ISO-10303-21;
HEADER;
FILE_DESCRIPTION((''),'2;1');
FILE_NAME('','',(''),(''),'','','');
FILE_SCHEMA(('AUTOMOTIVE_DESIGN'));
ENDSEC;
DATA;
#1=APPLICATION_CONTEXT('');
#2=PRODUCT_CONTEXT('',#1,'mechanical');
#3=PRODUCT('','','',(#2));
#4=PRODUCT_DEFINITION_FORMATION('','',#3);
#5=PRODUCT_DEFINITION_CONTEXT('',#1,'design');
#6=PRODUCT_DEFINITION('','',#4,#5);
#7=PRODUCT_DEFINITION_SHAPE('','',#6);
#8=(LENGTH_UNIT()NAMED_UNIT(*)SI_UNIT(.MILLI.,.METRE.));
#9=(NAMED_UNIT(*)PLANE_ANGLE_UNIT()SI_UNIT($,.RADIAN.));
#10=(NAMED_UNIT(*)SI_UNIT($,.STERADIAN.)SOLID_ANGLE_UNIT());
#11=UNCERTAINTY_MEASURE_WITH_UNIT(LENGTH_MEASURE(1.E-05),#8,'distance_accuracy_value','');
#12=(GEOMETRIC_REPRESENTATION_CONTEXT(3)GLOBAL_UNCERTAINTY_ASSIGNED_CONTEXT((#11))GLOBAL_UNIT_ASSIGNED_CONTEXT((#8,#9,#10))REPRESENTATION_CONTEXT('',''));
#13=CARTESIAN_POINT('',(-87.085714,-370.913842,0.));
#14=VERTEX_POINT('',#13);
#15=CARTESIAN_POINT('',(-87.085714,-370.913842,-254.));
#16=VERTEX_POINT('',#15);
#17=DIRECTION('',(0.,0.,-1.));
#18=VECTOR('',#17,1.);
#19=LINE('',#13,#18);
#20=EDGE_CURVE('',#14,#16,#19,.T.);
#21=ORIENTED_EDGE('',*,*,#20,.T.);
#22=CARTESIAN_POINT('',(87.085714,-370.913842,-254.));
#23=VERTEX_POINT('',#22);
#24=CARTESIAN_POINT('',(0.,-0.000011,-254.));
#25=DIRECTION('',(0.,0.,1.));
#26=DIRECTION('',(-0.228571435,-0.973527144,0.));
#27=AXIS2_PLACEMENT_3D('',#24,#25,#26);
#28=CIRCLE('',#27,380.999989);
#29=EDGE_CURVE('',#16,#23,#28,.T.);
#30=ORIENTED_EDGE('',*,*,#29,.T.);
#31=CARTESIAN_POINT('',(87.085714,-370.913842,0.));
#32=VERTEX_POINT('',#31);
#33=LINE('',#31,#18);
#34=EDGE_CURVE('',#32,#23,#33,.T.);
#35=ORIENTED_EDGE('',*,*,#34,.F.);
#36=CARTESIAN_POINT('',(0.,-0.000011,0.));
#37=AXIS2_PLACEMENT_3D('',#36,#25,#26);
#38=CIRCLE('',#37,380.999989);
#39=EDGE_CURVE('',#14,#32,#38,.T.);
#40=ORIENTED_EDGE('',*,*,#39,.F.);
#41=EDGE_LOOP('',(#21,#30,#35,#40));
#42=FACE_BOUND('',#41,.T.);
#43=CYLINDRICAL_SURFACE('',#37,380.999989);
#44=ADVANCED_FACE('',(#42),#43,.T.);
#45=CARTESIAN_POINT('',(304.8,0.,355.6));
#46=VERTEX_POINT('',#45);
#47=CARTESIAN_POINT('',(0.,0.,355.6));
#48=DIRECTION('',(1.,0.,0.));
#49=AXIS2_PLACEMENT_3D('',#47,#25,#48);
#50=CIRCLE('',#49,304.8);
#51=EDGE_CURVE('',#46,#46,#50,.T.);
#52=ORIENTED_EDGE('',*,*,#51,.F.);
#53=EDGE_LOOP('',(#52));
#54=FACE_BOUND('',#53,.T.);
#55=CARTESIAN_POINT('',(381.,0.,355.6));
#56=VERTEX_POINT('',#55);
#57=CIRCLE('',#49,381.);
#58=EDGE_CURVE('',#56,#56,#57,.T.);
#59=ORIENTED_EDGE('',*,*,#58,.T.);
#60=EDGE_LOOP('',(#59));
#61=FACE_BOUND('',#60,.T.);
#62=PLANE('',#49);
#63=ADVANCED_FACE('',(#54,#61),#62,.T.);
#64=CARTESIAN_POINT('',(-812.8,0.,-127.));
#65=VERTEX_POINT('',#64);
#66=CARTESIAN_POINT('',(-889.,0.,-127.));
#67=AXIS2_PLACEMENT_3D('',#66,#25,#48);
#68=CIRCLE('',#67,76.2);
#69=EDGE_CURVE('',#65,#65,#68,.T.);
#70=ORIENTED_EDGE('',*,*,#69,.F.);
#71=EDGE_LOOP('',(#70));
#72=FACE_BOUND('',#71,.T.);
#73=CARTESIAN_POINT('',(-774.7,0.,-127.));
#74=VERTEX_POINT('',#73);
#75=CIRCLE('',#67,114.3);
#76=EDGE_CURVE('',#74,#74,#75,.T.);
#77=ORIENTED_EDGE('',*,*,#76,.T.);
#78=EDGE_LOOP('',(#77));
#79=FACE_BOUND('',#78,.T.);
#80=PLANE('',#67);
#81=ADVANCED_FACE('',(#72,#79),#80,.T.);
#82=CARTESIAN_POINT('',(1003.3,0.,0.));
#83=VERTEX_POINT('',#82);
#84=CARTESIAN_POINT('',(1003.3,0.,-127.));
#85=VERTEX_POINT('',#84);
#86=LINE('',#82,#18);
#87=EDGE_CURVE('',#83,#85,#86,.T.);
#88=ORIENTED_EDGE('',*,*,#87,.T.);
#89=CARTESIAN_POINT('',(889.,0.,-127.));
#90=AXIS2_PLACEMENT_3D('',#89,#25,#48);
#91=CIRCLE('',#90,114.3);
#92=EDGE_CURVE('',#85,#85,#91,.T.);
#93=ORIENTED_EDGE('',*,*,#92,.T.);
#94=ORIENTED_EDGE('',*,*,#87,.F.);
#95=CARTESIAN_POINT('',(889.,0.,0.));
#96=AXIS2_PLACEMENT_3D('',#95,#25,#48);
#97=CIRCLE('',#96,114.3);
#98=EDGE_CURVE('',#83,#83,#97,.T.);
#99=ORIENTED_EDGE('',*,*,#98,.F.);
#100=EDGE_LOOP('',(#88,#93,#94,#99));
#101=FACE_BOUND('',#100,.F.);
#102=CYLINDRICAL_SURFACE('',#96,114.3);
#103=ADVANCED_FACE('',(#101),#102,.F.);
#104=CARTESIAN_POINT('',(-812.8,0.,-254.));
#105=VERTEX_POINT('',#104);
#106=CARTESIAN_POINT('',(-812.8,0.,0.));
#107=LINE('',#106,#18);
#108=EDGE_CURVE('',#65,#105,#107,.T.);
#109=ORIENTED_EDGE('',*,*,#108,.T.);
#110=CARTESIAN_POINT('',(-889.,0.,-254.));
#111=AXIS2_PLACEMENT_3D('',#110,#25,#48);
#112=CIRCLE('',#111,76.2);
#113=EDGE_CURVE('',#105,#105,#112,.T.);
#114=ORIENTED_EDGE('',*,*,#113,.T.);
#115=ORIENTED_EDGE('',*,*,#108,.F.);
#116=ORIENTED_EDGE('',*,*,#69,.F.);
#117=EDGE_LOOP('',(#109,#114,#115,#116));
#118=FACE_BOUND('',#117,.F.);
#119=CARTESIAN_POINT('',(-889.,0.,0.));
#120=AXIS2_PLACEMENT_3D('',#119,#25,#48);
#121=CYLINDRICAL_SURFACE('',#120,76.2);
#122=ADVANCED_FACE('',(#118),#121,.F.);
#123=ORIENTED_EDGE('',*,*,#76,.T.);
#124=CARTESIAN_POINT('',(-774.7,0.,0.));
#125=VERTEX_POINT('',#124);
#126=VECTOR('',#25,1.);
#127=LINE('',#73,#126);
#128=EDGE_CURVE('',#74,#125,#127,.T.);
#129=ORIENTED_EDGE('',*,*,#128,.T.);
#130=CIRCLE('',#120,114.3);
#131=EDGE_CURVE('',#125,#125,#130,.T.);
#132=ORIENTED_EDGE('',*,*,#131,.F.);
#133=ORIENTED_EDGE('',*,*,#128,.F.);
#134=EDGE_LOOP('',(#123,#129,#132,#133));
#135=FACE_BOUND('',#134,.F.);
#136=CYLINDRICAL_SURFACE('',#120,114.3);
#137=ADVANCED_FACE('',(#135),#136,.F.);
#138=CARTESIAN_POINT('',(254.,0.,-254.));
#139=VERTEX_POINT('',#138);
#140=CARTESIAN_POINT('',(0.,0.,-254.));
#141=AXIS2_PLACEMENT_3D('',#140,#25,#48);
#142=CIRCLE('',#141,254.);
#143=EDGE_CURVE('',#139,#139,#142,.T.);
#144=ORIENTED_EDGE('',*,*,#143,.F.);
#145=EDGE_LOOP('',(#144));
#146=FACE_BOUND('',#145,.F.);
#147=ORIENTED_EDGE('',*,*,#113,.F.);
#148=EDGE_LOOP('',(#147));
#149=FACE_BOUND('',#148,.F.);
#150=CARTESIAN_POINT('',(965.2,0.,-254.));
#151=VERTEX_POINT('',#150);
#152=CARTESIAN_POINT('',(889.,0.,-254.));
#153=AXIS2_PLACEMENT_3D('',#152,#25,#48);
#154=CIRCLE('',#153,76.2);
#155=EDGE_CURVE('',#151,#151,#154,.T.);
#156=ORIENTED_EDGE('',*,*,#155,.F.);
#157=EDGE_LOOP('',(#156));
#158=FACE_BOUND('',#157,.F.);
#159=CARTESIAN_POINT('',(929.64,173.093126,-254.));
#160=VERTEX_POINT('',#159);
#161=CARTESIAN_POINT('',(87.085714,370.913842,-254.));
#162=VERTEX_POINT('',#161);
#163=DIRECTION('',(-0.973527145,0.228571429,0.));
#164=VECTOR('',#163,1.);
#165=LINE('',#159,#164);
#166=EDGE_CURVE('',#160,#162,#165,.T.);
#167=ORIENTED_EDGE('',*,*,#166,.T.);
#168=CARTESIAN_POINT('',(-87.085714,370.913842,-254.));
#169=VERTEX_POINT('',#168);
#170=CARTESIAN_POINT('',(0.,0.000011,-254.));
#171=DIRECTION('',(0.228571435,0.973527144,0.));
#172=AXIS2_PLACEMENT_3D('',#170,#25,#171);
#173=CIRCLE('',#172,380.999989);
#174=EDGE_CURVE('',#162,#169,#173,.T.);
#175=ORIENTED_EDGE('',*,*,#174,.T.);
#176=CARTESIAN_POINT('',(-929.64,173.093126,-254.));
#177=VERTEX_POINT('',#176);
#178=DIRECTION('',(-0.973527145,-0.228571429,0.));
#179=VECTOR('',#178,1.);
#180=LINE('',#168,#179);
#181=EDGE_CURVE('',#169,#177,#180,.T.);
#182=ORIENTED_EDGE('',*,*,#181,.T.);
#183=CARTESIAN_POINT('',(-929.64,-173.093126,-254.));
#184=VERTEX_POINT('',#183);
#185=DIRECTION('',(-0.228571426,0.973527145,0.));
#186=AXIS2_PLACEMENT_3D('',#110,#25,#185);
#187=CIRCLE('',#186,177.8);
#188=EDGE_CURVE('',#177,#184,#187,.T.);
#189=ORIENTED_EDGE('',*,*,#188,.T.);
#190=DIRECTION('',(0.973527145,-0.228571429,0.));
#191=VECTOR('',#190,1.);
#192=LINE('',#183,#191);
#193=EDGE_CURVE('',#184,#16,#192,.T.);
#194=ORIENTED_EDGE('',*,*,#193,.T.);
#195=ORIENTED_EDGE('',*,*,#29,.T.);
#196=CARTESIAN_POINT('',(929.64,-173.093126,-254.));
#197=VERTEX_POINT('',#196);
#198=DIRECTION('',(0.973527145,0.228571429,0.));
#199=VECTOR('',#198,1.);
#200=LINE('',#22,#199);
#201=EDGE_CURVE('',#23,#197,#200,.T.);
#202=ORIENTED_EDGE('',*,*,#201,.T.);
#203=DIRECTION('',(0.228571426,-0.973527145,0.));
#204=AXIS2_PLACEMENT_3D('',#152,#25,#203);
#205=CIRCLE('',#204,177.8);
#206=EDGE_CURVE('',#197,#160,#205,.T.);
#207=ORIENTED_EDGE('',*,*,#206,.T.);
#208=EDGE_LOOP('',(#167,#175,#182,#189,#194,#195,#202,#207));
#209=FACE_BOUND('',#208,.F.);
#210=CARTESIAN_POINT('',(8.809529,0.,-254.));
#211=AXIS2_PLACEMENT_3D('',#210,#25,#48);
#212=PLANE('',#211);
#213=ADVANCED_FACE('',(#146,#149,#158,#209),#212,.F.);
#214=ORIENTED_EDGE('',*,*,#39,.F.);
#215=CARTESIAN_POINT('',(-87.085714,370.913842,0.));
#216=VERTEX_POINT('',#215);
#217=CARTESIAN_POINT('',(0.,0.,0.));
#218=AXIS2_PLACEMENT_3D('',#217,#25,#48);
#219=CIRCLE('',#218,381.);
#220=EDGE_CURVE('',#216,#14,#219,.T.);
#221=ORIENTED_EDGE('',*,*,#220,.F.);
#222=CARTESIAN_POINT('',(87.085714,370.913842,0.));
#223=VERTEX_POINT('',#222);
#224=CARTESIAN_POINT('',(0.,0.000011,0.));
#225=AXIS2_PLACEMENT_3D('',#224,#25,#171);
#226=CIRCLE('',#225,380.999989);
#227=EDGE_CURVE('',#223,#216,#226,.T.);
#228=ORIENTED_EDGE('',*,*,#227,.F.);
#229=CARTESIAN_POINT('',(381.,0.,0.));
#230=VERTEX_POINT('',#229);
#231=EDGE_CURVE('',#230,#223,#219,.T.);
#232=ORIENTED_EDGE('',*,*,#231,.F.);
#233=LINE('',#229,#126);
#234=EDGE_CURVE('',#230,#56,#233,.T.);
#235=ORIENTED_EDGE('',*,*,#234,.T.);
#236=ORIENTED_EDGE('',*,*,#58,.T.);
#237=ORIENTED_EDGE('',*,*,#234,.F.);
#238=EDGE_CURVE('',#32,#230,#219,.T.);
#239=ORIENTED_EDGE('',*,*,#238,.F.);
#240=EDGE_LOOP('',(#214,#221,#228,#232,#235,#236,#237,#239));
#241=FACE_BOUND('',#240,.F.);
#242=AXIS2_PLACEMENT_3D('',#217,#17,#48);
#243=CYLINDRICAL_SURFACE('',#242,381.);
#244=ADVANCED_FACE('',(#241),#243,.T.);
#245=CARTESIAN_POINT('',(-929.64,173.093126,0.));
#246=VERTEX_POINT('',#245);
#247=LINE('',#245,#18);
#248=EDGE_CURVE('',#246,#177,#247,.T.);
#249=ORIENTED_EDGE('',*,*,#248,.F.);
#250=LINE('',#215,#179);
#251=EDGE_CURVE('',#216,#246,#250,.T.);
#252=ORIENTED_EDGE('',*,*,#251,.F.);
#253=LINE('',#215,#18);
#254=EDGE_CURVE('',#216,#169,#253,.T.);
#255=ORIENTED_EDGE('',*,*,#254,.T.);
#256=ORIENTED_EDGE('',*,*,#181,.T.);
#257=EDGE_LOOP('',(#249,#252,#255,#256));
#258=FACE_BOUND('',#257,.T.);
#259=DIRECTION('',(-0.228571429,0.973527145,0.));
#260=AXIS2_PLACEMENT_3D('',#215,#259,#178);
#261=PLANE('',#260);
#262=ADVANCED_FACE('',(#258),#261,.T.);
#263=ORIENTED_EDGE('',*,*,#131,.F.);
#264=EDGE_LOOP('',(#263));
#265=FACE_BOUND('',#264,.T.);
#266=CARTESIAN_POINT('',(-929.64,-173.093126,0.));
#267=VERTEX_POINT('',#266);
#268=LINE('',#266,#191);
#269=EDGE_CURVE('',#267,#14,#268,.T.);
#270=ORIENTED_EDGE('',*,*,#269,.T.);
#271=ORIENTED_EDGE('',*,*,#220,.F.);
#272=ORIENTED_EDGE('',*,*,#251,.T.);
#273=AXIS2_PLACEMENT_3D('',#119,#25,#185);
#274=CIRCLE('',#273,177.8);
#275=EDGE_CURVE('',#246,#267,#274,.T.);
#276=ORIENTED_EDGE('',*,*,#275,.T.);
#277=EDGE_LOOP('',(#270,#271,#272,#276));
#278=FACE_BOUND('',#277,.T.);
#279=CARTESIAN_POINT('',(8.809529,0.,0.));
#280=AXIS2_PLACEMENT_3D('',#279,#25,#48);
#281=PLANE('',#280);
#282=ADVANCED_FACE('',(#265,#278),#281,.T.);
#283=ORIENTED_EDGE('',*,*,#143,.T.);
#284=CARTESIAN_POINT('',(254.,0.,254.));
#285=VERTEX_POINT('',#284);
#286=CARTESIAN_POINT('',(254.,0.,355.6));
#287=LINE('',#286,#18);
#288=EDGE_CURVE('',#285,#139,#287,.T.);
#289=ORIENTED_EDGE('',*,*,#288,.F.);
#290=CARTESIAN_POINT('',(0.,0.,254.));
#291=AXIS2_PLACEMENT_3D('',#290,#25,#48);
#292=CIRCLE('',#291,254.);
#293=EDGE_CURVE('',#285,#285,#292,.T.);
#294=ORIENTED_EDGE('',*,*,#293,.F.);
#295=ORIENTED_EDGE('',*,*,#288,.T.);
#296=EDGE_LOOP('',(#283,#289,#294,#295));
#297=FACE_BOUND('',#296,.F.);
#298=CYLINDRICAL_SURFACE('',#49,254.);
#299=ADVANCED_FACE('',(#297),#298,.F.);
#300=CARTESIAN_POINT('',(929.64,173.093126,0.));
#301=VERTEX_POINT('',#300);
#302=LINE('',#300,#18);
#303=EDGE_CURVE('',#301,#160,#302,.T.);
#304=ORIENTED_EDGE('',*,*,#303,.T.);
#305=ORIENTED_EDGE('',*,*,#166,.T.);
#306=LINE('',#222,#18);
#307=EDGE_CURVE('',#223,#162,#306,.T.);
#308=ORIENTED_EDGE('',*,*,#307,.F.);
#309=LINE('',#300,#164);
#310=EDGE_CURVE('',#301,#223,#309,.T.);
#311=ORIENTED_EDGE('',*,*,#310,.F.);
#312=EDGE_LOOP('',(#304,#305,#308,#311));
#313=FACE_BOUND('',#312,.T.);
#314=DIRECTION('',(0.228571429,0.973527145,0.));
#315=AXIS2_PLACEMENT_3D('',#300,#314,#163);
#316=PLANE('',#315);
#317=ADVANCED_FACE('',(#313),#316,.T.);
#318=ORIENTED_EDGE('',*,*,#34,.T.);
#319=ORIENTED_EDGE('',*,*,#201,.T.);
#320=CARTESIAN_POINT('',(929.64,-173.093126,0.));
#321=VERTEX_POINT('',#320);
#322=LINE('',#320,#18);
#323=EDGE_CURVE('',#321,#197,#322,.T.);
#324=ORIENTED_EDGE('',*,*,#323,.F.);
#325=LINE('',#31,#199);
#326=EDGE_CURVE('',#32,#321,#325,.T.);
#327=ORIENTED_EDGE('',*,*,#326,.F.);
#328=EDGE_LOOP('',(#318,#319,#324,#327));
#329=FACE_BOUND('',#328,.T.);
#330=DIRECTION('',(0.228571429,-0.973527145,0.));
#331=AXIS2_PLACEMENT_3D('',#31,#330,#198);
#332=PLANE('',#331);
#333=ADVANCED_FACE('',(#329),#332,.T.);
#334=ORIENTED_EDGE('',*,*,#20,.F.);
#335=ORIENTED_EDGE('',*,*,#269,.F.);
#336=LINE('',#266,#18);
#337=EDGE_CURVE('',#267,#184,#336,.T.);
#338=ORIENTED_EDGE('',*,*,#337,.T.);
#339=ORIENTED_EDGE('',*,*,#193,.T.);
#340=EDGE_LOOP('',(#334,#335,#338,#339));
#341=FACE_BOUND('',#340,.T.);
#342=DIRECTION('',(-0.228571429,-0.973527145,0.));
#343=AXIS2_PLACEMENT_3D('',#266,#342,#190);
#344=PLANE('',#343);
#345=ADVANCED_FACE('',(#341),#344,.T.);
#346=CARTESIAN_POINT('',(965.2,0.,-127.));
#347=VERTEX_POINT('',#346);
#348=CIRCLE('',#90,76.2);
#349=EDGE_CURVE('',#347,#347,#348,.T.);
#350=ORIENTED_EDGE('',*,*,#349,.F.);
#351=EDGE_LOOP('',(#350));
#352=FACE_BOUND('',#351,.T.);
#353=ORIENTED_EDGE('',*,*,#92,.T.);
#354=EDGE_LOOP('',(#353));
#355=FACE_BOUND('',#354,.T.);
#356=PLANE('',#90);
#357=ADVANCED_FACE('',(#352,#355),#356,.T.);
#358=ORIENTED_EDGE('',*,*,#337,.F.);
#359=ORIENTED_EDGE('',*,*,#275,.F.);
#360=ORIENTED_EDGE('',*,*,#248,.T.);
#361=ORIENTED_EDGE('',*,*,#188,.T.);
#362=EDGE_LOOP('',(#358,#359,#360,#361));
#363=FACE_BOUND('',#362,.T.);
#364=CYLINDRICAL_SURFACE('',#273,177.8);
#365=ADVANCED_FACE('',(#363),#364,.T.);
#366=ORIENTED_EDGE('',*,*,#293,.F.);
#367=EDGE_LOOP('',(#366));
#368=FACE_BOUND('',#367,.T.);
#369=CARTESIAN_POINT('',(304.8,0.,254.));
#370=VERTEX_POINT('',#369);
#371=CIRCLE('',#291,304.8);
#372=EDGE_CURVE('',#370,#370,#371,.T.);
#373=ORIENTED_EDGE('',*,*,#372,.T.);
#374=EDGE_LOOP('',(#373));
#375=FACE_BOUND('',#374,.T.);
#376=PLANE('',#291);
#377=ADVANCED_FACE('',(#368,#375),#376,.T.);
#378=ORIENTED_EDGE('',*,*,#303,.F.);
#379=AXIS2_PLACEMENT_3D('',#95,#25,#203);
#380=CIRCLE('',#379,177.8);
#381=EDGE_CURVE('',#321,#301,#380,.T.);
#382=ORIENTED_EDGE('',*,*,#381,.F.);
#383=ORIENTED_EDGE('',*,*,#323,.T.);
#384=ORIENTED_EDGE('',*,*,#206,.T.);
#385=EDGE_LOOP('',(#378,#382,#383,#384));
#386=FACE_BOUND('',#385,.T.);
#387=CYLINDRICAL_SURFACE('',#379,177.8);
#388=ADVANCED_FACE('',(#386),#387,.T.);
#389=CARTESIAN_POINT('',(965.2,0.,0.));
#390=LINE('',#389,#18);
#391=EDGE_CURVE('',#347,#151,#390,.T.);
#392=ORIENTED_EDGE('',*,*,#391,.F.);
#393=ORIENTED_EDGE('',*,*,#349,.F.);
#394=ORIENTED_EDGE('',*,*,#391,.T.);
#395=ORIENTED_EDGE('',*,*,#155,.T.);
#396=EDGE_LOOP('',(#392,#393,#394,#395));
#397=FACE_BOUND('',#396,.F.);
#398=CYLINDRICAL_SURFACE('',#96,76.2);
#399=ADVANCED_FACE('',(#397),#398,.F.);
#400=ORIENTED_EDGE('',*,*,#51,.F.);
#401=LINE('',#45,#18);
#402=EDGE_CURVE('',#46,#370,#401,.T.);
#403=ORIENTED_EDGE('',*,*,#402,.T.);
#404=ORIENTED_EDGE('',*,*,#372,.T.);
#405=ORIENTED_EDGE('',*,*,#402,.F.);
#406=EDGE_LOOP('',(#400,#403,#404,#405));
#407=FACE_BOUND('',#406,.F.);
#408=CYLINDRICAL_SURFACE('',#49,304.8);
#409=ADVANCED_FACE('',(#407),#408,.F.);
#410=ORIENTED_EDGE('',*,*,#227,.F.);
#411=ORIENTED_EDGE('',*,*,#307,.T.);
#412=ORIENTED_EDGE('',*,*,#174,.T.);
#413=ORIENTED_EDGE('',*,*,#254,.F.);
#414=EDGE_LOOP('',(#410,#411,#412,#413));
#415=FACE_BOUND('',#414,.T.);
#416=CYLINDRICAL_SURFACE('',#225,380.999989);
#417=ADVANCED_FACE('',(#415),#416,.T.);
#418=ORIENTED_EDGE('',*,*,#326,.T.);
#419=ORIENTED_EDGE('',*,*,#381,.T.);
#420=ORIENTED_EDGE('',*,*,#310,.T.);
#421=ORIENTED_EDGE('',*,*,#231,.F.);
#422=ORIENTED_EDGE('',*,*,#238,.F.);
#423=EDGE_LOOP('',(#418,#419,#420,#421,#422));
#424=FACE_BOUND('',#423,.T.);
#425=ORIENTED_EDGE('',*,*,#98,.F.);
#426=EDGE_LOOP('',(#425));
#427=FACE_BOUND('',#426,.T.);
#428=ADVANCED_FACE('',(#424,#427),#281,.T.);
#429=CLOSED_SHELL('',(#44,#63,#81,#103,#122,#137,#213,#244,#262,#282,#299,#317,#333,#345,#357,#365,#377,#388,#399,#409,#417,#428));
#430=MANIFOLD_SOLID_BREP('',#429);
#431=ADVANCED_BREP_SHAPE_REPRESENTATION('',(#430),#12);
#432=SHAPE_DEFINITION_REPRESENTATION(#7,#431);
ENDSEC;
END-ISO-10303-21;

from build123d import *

# Parameters (mm, degrees)
F1_DEPTH  = 254
F2_R      = 381
F3_DEPTH  = 355.6
F4_R      = 76.2
F5_DEPTH  = 254
F6_R      = 76.2
F7_DEPTH  = 254
F8_R      = 114.3
F8_R_2    = 76.2
F9_DEPTH  = 127
F10_DEPTH = 25.4
F11_R     = 114.3
F12_DEPTH = 127
F13_R     = 254
F14_DEPTH = 609.6
F15_R     = 304.8
F16_DEPTH = 101.6


with BuildPart() as f1:
    # F0 (on Top) → F1 (new body)
    with BuildSketch(Plane.XY):
        with BuildLine():
            ThreePointArc((87.085714, -370.913842), (298.614013, -236.62348), (381, 0))
            ThreePointArc((381, 0), (298.614013, 236.62348), (87.085714, 370.913842))
            ThreePointArc((87.085714, 370.913842), (0, 381), (-87.085714, 370.913842))
            ThreePointArc((-87.085714, 370.913842), (-381, 0), (-87.085714, -370.913842))
            ThreePointArc((-87.085714, -370.913842), (0, -381), (87.085714, -370.913842))
        make_face()
        with BuildLine():
            ThreePointArc((87.085714, 370.913842), (298.614013, 236.62348), (381, 0))
            ThreePointArc((381, 0), (298.614013, -236.62348), (87.085714, -370.913842))
            Line((87.085714, -370.913842), (929.64, -173.093126))
            ThreePointArc((929.64, -173.093126), (1066.8, 0), (929.64, 173.093126))
            Line((929.64, 173.093126), (87.085714, 370.913842))
        make_face()
        with BuildLine():
            ThreePointArc((-87.085714, -370.913842), (-381, 0), (-87.085714, 370.913842))
            Line((-87.085714, 370.913842), (-929.64, 173.093126))
            ThreePointArc((-929.64, 173.093126), (-1066.8, 0), (-929.64, -173.093126))
            Line((-929.64, -173.093126), (-87.085714, -370.913842))
        make_face()
    extrude(amount=-F1_DEPTH)

    # F2 (on face) → F3 (join)
    with BuildSketch(Plane.XY):
        Circle(F2_R)
    extrude(amount=F3_DEPTH)

    # F4 (on face) → F5 (cut)
    with BuildSketch(Plane.XY):
        with Locations((-889, 0)):
            Circle(F4_R)
    extrude(amount=-F5_DEPTH, mode=Mode.SUBTRACT)

    # F6 (on face) → F7 (cut)
    with BuildSketch(Plane.XY):
        with Locations((889, 0)):
            Circle(F6_R)
    extrude(amount=-F7_DEPTH, mode=Mode.SUBTRACT)

    # F8 (on face) → F9 (cut)
    with BuildSketch(Plane.XY):
        with Locations((-889, 0)):
            Circle(F8_R)
        with Locations((-889, 0)):
            Circle(F8_R_2, mode=Mode.SUBTRACT)
    extrude(amount=-F9_DEPTH, mode=Mode.SUBTRACT)

    # F8 (on face) → F10 (cut)
    with BuildSketch(Plane.XY):
        with Locations((-889, 0)):
            Circle(F8_R)
        with Locations((-889, 0)):
            Circle(F8_R_2, mode=Mode.SUBTRACT)
    extrude(amount=-F10_DEPTH, mode=Mode.SUBTRACT)

    # F11 (on face) → F12 (cut)
    with BuildSketch(Plane.XY):
        with Locations((889, 0)):
            Circle(F11_R)
    extrude(amount=-F12_DEPTH, mode=Mode.SUBTRACT)

    # F13 (on face) → F14 (cut)
    with BuildSketch(Plane.XY.offset(355.6)):
        Circle(F13_R)
    extrude(amount=-F14_DEPTH, mode=Mode.SUBTRACT)

    # F15 (on face) → F16 (cut)
    with BuildSketch(Plane.XY.offset(355.6)):
        Circle(F15_R)
    extrude(amount=-F16_DEPTH, mode=Mode.SUBTRACT)


solid = f1.part
